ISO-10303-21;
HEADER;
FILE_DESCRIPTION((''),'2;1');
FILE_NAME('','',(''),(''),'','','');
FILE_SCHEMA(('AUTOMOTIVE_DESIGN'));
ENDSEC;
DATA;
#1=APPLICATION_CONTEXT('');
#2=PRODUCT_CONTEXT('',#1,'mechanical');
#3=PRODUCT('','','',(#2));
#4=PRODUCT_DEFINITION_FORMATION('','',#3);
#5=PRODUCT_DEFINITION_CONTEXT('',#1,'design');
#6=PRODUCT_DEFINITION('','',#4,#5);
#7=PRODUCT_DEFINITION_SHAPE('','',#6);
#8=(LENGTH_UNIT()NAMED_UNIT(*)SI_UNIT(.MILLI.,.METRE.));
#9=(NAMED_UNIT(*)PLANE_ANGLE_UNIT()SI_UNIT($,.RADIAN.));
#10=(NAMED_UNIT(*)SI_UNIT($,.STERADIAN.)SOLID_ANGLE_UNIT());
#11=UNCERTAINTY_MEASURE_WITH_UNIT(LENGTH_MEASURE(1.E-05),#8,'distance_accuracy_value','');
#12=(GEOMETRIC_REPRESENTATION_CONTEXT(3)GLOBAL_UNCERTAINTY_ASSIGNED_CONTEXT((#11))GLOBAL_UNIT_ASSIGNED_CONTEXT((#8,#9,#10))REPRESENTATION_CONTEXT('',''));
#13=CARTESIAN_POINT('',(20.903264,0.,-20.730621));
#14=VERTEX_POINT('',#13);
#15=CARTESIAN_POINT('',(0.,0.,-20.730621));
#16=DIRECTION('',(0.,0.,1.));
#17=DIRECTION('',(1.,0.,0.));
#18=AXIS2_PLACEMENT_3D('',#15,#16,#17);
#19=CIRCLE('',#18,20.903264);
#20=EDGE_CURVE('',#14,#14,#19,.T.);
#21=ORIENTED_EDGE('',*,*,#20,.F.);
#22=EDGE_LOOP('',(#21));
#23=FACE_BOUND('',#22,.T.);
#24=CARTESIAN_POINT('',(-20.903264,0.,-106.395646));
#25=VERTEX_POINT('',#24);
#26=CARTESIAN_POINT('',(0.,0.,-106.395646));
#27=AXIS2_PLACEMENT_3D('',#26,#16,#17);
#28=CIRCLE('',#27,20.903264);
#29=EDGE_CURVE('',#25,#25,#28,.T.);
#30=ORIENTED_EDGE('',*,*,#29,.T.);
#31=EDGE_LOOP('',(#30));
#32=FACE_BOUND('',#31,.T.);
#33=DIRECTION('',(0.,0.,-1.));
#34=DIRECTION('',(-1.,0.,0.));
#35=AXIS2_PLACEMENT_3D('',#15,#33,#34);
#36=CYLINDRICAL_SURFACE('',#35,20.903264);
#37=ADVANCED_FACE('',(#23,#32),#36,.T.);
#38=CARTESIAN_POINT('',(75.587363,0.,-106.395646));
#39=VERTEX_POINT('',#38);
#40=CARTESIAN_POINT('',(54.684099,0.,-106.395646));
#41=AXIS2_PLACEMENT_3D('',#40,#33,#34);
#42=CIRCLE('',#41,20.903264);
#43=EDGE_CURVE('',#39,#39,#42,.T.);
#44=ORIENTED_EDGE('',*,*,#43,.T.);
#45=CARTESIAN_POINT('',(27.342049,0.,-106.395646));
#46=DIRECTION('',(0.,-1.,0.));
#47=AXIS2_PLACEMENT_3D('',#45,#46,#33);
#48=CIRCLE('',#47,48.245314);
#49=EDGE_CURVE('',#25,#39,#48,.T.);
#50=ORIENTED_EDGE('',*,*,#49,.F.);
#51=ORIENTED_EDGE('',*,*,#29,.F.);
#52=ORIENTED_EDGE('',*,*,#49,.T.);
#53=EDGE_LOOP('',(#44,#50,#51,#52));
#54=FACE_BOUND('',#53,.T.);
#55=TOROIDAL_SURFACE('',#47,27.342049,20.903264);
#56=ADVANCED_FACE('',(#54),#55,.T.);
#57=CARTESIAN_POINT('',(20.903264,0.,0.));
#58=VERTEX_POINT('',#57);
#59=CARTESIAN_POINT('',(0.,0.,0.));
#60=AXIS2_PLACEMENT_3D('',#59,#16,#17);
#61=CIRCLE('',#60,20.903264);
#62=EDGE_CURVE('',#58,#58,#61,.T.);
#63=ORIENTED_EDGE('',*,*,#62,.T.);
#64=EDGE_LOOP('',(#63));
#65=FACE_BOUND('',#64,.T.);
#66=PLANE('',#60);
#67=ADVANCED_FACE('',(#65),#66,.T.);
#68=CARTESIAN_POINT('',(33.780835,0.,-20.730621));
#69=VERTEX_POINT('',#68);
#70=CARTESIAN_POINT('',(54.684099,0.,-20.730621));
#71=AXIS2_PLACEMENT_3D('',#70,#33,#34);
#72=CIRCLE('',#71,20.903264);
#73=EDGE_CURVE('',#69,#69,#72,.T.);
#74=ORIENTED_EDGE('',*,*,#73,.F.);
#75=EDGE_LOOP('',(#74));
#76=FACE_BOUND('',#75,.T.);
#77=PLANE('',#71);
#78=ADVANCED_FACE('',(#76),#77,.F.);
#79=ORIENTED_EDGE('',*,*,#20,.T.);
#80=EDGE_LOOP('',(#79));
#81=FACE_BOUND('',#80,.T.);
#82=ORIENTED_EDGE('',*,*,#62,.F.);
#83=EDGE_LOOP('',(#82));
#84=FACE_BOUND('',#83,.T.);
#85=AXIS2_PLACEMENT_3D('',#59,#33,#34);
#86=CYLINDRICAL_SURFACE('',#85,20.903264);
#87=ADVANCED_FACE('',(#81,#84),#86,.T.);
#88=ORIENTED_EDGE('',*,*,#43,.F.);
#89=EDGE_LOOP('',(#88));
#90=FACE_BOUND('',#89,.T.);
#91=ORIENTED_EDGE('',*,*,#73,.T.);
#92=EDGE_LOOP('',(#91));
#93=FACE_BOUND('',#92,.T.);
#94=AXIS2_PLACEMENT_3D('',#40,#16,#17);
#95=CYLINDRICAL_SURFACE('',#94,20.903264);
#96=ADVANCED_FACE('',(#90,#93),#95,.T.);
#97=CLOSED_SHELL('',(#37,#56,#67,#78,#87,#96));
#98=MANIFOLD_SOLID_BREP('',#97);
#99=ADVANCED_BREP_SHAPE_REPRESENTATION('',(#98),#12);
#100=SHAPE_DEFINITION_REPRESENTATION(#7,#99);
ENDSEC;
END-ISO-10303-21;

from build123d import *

# Parameters (mm, degrees)
SKETCH2_R = 20.903264374


with BuildPart() as part:
    # Sweep2: sweep along a path in Sketch3
    with BuildLine(Plane(origin=(0, 0, 0), x_dir=(1, 0, 0), z_dir=(0, 1, 0))) as sweep2_path:
        Line((0, 0), (0, 20.730621078))
        Line((0, 20.730621078), (0, 106.395646218))
        ThreePointArc((0, 106.395646218), (27.342049463, 133.737695681), (54.684098926, 106.395646218))
        Line((54.684098926, 106.395646218), (54.684098926, 20.730621078))
    # Sketch2 → Sweep2 (sweep)
    with BuildSketch(Plane.XY):
        Circle(SKETCH2_R)
    sweep(path=sweep2_path.line)


solid = part.part
